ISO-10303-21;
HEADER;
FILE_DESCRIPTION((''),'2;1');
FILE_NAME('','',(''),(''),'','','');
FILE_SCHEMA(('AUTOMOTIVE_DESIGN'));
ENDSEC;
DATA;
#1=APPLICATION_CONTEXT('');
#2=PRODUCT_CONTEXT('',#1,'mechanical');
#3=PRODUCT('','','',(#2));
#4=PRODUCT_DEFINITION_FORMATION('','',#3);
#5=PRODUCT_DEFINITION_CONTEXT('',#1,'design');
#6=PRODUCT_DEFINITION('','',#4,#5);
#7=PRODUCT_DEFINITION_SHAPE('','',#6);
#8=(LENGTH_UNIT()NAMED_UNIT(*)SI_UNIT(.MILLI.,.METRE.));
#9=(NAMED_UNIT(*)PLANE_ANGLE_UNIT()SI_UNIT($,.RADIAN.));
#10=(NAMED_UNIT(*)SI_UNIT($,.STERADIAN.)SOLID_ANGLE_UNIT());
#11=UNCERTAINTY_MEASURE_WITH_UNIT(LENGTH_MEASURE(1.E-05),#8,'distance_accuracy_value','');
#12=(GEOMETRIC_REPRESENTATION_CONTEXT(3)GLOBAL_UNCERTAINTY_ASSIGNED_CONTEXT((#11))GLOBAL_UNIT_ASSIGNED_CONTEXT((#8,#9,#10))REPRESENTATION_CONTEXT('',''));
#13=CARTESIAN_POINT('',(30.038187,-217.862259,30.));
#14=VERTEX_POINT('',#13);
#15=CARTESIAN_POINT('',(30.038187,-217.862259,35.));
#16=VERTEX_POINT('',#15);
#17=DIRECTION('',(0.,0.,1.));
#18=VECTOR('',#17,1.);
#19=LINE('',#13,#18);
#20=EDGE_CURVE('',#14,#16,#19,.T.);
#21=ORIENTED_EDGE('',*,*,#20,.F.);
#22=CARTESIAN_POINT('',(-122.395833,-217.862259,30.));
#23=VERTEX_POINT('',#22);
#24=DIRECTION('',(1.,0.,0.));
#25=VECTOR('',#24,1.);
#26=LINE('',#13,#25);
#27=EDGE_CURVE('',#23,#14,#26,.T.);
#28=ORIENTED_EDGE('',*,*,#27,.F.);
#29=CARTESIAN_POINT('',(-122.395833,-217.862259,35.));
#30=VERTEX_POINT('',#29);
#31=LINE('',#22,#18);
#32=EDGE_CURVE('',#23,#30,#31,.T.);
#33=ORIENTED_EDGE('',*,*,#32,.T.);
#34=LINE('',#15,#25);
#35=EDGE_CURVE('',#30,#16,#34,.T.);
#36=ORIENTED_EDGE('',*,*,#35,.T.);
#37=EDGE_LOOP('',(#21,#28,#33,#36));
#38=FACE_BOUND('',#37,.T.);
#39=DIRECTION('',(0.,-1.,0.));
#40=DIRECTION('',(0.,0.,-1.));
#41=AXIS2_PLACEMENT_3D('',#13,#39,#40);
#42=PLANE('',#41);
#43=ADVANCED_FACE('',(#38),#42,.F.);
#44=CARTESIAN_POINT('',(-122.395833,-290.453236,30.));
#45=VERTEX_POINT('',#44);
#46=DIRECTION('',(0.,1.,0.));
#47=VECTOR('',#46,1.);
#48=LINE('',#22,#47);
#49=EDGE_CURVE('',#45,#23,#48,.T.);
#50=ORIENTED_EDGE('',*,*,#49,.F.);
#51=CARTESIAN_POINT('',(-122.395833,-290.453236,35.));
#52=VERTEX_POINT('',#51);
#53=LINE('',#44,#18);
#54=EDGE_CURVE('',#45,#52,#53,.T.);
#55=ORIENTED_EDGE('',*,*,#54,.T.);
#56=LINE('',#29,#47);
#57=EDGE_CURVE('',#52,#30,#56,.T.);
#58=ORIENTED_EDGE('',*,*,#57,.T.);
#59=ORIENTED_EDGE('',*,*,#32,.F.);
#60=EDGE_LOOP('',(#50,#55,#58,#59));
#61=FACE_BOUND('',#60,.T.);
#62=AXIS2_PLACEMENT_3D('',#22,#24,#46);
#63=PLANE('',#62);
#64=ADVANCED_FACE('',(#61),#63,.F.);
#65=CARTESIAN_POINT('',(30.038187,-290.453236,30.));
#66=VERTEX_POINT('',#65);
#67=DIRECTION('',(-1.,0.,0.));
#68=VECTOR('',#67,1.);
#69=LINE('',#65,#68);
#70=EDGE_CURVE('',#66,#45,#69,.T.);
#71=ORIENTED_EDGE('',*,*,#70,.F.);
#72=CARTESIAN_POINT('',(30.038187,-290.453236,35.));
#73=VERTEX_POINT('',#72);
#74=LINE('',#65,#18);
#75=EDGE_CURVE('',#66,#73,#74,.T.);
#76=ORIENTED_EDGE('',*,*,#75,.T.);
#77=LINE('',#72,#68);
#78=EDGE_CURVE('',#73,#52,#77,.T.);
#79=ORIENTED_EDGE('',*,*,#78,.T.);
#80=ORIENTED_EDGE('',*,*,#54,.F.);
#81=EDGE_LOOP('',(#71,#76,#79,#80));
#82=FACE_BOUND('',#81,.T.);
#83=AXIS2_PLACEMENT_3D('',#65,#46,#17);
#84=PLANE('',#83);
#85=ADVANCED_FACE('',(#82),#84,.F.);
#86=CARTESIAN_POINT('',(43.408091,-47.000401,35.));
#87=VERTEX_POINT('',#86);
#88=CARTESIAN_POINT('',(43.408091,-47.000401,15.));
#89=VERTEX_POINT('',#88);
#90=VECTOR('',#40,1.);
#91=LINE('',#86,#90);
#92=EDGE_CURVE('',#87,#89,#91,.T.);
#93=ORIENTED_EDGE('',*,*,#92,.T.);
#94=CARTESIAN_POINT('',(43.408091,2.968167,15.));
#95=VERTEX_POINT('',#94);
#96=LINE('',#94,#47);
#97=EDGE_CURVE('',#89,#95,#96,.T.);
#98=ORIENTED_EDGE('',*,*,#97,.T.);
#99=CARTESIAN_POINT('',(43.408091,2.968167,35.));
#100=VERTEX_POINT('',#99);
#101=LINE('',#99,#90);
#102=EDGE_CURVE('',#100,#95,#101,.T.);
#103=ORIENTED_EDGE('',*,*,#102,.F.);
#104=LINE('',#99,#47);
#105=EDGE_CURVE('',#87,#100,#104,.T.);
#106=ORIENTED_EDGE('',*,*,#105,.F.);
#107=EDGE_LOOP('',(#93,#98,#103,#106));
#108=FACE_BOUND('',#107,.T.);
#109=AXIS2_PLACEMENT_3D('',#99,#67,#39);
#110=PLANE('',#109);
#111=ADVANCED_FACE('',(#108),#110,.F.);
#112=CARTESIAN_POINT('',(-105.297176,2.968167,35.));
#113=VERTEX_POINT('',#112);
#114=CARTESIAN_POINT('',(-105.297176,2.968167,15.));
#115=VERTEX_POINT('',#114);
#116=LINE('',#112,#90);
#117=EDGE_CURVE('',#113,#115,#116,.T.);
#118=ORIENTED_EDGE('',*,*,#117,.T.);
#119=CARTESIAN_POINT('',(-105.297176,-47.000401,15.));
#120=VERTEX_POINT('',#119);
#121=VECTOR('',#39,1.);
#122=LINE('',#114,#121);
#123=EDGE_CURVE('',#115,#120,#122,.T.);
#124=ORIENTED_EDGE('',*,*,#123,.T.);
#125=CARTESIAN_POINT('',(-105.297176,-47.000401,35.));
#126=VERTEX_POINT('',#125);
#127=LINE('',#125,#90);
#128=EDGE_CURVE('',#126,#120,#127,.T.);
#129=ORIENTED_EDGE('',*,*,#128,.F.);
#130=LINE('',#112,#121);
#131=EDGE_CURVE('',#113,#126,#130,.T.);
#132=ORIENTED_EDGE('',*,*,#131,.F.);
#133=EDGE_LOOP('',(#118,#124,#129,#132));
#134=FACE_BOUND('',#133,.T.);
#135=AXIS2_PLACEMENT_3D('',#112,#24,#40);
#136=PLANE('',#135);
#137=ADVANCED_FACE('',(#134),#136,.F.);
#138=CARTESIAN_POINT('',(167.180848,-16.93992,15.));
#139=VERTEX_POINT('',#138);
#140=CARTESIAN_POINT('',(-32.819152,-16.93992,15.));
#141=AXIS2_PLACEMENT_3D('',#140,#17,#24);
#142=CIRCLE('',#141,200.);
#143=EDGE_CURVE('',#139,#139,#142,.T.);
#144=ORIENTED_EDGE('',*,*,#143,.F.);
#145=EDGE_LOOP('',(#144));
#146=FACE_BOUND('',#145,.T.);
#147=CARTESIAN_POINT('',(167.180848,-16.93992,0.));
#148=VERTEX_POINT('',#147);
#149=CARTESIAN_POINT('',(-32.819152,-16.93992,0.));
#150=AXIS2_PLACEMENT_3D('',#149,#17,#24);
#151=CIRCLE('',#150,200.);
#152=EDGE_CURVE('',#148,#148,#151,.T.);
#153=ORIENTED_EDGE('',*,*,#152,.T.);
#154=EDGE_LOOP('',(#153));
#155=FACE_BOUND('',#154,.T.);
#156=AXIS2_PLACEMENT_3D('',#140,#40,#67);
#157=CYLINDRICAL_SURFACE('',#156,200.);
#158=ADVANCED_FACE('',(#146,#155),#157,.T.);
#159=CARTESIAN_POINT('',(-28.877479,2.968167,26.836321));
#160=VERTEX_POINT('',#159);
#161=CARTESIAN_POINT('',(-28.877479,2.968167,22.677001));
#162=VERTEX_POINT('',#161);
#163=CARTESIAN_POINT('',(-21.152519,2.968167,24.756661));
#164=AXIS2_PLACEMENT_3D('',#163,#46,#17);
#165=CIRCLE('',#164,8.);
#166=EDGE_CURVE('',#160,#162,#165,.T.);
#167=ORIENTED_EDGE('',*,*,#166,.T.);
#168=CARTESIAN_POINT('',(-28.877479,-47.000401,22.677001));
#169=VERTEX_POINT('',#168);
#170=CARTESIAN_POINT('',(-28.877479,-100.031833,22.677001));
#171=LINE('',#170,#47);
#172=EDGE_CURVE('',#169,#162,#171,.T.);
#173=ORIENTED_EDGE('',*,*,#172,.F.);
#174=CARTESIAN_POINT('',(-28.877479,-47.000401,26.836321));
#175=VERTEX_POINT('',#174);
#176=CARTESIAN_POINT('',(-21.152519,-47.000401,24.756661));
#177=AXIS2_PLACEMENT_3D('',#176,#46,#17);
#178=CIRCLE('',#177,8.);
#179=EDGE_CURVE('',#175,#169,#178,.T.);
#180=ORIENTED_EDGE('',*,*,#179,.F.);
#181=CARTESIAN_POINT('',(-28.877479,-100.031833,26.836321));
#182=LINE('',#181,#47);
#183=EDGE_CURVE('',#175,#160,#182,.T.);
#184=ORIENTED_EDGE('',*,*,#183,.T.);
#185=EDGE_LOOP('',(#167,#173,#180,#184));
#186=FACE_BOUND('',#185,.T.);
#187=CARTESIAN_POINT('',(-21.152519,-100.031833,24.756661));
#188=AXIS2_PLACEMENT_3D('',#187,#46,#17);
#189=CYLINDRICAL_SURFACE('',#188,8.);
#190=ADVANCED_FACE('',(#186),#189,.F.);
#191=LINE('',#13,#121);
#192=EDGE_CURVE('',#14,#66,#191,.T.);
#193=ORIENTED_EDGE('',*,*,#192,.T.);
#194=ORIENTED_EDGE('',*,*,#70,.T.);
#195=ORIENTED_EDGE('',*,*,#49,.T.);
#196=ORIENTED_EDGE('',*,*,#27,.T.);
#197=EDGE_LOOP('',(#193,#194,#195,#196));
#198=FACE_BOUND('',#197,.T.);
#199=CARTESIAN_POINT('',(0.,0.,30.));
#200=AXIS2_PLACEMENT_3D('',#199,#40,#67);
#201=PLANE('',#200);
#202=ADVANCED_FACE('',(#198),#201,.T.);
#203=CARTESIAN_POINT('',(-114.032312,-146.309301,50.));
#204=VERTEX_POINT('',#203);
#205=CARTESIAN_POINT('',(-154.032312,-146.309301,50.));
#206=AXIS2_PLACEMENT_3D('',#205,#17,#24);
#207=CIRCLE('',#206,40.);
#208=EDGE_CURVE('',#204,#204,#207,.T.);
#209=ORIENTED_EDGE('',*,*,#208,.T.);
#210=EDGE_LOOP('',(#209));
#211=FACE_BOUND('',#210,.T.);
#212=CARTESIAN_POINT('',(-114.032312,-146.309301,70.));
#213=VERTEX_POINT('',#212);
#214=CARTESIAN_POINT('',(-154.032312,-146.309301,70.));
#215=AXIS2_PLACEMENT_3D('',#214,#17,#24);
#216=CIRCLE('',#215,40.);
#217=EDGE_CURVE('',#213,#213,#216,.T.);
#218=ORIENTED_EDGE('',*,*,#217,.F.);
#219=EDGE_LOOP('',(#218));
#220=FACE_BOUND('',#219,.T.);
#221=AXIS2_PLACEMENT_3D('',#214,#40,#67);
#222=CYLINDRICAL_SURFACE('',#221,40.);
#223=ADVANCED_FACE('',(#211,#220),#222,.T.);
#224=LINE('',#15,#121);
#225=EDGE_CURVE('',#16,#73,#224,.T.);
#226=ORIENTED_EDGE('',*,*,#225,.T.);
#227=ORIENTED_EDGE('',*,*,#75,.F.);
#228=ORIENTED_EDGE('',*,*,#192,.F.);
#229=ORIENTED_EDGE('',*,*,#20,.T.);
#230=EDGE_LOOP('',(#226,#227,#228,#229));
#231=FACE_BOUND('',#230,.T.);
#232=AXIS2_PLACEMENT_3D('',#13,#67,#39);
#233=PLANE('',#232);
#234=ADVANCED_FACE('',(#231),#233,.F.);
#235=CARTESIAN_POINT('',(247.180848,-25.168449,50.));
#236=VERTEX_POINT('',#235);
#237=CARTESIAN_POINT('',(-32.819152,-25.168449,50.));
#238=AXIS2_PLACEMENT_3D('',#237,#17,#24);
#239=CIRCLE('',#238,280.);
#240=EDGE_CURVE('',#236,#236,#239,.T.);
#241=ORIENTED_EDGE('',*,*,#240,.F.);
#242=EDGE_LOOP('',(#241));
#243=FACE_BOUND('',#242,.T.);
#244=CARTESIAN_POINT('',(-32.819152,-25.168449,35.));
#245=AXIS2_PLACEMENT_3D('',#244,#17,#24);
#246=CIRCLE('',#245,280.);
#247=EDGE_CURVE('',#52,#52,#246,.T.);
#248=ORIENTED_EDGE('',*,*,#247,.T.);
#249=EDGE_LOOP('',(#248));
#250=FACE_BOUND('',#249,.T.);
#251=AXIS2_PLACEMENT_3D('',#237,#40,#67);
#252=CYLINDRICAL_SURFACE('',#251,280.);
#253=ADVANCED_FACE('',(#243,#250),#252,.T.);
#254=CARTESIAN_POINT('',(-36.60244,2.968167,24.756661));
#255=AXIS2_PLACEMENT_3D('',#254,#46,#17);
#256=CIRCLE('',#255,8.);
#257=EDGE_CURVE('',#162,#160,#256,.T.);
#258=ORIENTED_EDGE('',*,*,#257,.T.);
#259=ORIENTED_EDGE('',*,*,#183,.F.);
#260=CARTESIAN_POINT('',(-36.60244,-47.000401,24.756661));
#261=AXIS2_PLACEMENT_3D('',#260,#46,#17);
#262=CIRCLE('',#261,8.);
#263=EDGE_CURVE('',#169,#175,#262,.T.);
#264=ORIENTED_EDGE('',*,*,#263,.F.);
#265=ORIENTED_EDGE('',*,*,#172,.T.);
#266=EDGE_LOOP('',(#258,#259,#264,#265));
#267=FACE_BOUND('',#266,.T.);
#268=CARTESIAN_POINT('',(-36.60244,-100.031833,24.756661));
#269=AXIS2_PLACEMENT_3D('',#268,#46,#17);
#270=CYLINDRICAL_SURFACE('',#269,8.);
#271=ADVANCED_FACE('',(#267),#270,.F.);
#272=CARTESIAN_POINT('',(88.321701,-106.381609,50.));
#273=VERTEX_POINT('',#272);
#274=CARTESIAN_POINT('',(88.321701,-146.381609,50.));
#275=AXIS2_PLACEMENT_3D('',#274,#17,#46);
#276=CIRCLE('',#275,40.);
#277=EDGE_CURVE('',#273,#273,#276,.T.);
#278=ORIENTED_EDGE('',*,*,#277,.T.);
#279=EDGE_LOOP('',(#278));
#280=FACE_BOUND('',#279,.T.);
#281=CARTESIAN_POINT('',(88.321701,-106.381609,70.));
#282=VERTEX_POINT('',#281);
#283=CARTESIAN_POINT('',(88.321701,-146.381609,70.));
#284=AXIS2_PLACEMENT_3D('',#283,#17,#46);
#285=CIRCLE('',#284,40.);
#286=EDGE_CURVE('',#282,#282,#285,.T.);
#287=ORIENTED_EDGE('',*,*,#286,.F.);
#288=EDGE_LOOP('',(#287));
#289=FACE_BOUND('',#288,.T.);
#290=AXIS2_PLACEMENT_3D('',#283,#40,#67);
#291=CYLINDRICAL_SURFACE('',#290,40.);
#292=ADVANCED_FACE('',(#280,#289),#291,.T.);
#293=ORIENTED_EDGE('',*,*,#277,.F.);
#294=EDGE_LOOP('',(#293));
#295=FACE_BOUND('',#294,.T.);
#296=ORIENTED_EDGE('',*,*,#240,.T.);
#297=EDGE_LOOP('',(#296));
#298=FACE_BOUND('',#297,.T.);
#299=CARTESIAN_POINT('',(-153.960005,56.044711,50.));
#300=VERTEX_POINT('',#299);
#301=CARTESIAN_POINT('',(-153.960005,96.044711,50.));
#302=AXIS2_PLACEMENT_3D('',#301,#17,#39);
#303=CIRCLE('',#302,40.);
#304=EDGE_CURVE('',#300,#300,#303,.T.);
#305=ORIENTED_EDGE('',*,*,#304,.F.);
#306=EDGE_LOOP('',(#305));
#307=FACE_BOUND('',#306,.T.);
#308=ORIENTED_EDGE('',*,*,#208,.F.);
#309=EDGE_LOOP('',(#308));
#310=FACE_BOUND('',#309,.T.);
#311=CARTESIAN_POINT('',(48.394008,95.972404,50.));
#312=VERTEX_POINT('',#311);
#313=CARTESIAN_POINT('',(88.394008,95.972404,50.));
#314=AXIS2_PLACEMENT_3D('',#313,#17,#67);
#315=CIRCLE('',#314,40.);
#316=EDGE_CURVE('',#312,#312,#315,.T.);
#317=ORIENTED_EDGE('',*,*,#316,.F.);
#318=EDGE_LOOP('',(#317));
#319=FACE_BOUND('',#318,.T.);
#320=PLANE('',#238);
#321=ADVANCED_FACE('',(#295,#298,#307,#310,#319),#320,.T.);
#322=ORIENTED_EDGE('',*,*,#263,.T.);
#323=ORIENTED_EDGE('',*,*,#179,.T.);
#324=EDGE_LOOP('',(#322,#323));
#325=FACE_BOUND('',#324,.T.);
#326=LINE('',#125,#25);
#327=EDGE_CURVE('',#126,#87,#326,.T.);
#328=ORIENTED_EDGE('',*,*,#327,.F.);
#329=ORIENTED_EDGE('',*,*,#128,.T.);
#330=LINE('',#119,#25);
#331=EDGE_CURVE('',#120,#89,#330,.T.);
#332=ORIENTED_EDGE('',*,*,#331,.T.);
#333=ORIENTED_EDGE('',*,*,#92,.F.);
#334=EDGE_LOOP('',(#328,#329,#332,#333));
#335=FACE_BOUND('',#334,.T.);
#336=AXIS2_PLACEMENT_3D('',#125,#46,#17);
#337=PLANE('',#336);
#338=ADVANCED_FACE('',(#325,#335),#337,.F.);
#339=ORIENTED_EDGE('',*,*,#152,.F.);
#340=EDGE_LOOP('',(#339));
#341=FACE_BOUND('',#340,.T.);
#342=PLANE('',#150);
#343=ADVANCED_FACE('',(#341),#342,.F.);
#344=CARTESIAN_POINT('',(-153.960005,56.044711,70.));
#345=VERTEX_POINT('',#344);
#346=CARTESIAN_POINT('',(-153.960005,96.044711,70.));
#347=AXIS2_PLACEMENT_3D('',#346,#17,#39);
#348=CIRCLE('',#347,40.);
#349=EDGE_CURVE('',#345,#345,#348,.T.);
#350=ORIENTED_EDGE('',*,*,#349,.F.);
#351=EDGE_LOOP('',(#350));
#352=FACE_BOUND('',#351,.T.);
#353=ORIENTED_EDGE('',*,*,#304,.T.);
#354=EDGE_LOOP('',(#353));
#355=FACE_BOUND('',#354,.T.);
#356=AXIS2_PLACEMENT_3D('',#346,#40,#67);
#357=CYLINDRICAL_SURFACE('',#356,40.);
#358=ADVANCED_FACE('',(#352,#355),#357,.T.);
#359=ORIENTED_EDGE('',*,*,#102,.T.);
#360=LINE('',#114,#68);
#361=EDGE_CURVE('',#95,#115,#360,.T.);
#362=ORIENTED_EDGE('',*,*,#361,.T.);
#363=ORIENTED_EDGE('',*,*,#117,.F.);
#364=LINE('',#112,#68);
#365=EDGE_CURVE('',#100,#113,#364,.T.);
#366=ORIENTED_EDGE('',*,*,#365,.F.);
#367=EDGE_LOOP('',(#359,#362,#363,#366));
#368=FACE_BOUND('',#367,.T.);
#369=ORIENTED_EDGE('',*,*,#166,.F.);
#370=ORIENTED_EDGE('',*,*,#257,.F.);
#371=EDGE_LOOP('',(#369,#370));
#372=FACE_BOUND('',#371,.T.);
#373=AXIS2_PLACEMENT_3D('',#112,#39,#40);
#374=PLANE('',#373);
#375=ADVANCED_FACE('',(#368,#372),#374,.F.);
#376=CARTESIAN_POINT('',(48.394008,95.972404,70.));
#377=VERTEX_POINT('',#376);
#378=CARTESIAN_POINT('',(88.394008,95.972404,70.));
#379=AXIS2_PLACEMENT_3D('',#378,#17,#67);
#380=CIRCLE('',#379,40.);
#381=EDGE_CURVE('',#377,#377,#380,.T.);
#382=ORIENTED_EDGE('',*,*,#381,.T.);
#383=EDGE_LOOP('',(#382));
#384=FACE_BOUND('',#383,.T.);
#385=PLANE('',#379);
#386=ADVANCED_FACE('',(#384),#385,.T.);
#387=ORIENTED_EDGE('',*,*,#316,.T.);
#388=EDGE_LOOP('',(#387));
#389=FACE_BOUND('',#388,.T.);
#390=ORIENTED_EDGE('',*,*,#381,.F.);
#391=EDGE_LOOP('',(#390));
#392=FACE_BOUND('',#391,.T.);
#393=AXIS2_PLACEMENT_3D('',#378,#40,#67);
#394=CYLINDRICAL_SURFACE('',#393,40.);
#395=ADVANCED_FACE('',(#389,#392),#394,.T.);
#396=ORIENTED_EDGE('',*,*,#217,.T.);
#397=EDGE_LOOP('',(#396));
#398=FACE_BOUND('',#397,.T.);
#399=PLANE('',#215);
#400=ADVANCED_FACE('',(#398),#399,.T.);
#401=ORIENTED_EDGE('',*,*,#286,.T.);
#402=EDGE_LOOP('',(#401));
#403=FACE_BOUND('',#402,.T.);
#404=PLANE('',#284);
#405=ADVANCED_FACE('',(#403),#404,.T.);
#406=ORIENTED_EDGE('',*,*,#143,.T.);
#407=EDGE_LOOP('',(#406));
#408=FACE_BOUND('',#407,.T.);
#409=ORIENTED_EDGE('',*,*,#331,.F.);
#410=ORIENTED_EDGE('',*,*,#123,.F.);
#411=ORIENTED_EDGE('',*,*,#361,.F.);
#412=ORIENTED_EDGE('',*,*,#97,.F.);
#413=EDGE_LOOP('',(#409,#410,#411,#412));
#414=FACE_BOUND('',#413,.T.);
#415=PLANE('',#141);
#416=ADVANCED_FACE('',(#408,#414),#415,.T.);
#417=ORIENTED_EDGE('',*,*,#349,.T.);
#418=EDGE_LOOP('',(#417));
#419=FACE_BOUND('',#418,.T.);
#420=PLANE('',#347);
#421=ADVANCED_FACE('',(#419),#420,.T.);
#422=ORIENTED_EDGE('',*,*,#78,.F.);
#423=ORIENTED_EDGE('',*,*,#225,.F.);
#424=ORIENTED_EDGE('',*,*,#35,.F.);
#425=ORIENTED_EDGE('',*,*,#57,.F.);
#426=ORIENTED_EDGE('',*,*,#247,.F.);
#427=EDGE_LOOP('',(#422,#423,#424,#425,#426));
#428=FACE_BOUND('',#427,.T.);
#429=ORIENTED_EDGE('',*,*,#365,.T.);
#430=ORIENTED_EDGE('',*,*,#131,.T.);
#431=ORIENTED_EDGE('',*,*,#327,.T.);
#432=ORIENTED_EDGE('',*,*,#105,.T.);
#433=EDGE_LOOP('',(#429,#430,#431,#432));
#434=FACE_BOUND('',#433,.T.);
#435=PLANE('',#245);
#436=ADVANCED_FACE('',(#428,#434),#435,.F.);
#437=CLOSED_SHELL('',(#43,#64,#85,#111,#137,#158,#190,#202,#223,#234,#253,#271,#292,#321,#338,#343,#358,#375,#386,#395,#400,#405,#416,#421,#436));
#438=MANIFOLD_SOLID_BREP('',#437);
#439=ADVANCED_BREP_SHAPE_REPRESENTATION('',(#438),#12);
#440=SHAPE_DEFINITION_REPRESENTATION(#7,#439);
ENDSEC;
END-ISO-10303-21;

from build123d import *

# Parameters (mm, degrees)
SKETCH1_R           = 200
BOSS_EXTRUDE1_DEPTH = 15
SKETCH2_W           = 148.705267073
SKETCH2_H           = 49.968568036
BOSS_EXTRUDE2_DEPTH = 20
CUT_EXTRUDE2_DEPTH  = 103
SKETCH4_R           = 280
BOSS_EXTRUDE3_DEPTH = 15
SKETCH6_R           = 40
BOSS_EXTRUDE4_DEPTH = 20
CIRPATTERN1_COUNT   = 4
SKETCH7_W           = 152.434020428
SKETCH7_H           = 72.590976785
BOSS_EXTRUDE5_DEPTH = 5


with BuildPart() as part:
    # Sketch1 → Boss-Extrude1 (new body)
    with BuildSketch(Plane.XY):
        with Locations((-32.819152061, -16.939919955)):
            Circle(SKETCH1_R)
    extrude(amount=BOSS_EXTRUDE1_DEPTH)

    # Sketch2 → Boss-Extrude2 (add)
    with BuildSketch(Plane.XY.offset(15)):
        with Locations((-30.944542613, -22.016117064)):
            Rectangle(SKETCH2_W, SKETCH2_H)
    extrude(amount=BOSS_EXTRUDE2_DEPTH)

    # Sketch3 → Cut-Extrude2 (cut)
    with BuildSketch(Plane(origin=(0, 2.968166954, 0), x_dir=(1, 0, 0), z_dir=(0, 1, 0))):
        with BuildLine():
            ThreePointArc((-28.877479091, -22.677000866), (-44.602439558, -24.756660882), (-28.877479091, -26.836320898))
            ThreePointArc((-28.877479091, -26.836320898), (-13.152518624, -24.756660882), (-28.877479091, -22.677000866))
        make_face()
    extrude(amount=-CUT_EXTRUDE2_DEPTH, mode=Mode.SUBTRACT)

    # Sketch4 → Boss-Extrude3 (add)
    with BuildSketch(Plane.XY.offset(35)):
        with Locations((-32.819152061, -25.168448638)):
            Circle(SKETCH4_R)
    extrude(amount=BOSS_EXTRUDE3_DEPTH)

    # Sketch6 → Boss-Extrude4 (add)
    with BuildSketch(Plane.XY.offset(50)):
        with Locations((-154.032312031, -146.309301386)):
            Circle(SKETCH6_R)
    boss_extrude4 = extrude(amount=BOSS_EXTRUDE4_DEPTH)

    # CirPattern1: Boss-Extrude4 ×4 about axis
    cirpattern1_axis = Axis((-32.819152061, -25.168448638, 0), (0, 0, 1))
    for i in range(1, CIRPATTERN1_COUNT):
        add(boss_extrude4.rotate(cirpattern1_axis, i * 360 / CIRPATTERN1_COUNT))

    # Sketch7 → Boss-Extrude5 (add)
    with BuildSketch(Plane(origin=(0, 0, 35), x_dir=(-1, 0, 0), z_dir=(0, 0, -1))):
        with Locations((46.178823142, -254.15774716)):
            Rectangle(SKETCH7_W, SKETCH7_H)
    extrude(amount=BOSS_EXTRUDE5_DEPTH)


solid = part.part
